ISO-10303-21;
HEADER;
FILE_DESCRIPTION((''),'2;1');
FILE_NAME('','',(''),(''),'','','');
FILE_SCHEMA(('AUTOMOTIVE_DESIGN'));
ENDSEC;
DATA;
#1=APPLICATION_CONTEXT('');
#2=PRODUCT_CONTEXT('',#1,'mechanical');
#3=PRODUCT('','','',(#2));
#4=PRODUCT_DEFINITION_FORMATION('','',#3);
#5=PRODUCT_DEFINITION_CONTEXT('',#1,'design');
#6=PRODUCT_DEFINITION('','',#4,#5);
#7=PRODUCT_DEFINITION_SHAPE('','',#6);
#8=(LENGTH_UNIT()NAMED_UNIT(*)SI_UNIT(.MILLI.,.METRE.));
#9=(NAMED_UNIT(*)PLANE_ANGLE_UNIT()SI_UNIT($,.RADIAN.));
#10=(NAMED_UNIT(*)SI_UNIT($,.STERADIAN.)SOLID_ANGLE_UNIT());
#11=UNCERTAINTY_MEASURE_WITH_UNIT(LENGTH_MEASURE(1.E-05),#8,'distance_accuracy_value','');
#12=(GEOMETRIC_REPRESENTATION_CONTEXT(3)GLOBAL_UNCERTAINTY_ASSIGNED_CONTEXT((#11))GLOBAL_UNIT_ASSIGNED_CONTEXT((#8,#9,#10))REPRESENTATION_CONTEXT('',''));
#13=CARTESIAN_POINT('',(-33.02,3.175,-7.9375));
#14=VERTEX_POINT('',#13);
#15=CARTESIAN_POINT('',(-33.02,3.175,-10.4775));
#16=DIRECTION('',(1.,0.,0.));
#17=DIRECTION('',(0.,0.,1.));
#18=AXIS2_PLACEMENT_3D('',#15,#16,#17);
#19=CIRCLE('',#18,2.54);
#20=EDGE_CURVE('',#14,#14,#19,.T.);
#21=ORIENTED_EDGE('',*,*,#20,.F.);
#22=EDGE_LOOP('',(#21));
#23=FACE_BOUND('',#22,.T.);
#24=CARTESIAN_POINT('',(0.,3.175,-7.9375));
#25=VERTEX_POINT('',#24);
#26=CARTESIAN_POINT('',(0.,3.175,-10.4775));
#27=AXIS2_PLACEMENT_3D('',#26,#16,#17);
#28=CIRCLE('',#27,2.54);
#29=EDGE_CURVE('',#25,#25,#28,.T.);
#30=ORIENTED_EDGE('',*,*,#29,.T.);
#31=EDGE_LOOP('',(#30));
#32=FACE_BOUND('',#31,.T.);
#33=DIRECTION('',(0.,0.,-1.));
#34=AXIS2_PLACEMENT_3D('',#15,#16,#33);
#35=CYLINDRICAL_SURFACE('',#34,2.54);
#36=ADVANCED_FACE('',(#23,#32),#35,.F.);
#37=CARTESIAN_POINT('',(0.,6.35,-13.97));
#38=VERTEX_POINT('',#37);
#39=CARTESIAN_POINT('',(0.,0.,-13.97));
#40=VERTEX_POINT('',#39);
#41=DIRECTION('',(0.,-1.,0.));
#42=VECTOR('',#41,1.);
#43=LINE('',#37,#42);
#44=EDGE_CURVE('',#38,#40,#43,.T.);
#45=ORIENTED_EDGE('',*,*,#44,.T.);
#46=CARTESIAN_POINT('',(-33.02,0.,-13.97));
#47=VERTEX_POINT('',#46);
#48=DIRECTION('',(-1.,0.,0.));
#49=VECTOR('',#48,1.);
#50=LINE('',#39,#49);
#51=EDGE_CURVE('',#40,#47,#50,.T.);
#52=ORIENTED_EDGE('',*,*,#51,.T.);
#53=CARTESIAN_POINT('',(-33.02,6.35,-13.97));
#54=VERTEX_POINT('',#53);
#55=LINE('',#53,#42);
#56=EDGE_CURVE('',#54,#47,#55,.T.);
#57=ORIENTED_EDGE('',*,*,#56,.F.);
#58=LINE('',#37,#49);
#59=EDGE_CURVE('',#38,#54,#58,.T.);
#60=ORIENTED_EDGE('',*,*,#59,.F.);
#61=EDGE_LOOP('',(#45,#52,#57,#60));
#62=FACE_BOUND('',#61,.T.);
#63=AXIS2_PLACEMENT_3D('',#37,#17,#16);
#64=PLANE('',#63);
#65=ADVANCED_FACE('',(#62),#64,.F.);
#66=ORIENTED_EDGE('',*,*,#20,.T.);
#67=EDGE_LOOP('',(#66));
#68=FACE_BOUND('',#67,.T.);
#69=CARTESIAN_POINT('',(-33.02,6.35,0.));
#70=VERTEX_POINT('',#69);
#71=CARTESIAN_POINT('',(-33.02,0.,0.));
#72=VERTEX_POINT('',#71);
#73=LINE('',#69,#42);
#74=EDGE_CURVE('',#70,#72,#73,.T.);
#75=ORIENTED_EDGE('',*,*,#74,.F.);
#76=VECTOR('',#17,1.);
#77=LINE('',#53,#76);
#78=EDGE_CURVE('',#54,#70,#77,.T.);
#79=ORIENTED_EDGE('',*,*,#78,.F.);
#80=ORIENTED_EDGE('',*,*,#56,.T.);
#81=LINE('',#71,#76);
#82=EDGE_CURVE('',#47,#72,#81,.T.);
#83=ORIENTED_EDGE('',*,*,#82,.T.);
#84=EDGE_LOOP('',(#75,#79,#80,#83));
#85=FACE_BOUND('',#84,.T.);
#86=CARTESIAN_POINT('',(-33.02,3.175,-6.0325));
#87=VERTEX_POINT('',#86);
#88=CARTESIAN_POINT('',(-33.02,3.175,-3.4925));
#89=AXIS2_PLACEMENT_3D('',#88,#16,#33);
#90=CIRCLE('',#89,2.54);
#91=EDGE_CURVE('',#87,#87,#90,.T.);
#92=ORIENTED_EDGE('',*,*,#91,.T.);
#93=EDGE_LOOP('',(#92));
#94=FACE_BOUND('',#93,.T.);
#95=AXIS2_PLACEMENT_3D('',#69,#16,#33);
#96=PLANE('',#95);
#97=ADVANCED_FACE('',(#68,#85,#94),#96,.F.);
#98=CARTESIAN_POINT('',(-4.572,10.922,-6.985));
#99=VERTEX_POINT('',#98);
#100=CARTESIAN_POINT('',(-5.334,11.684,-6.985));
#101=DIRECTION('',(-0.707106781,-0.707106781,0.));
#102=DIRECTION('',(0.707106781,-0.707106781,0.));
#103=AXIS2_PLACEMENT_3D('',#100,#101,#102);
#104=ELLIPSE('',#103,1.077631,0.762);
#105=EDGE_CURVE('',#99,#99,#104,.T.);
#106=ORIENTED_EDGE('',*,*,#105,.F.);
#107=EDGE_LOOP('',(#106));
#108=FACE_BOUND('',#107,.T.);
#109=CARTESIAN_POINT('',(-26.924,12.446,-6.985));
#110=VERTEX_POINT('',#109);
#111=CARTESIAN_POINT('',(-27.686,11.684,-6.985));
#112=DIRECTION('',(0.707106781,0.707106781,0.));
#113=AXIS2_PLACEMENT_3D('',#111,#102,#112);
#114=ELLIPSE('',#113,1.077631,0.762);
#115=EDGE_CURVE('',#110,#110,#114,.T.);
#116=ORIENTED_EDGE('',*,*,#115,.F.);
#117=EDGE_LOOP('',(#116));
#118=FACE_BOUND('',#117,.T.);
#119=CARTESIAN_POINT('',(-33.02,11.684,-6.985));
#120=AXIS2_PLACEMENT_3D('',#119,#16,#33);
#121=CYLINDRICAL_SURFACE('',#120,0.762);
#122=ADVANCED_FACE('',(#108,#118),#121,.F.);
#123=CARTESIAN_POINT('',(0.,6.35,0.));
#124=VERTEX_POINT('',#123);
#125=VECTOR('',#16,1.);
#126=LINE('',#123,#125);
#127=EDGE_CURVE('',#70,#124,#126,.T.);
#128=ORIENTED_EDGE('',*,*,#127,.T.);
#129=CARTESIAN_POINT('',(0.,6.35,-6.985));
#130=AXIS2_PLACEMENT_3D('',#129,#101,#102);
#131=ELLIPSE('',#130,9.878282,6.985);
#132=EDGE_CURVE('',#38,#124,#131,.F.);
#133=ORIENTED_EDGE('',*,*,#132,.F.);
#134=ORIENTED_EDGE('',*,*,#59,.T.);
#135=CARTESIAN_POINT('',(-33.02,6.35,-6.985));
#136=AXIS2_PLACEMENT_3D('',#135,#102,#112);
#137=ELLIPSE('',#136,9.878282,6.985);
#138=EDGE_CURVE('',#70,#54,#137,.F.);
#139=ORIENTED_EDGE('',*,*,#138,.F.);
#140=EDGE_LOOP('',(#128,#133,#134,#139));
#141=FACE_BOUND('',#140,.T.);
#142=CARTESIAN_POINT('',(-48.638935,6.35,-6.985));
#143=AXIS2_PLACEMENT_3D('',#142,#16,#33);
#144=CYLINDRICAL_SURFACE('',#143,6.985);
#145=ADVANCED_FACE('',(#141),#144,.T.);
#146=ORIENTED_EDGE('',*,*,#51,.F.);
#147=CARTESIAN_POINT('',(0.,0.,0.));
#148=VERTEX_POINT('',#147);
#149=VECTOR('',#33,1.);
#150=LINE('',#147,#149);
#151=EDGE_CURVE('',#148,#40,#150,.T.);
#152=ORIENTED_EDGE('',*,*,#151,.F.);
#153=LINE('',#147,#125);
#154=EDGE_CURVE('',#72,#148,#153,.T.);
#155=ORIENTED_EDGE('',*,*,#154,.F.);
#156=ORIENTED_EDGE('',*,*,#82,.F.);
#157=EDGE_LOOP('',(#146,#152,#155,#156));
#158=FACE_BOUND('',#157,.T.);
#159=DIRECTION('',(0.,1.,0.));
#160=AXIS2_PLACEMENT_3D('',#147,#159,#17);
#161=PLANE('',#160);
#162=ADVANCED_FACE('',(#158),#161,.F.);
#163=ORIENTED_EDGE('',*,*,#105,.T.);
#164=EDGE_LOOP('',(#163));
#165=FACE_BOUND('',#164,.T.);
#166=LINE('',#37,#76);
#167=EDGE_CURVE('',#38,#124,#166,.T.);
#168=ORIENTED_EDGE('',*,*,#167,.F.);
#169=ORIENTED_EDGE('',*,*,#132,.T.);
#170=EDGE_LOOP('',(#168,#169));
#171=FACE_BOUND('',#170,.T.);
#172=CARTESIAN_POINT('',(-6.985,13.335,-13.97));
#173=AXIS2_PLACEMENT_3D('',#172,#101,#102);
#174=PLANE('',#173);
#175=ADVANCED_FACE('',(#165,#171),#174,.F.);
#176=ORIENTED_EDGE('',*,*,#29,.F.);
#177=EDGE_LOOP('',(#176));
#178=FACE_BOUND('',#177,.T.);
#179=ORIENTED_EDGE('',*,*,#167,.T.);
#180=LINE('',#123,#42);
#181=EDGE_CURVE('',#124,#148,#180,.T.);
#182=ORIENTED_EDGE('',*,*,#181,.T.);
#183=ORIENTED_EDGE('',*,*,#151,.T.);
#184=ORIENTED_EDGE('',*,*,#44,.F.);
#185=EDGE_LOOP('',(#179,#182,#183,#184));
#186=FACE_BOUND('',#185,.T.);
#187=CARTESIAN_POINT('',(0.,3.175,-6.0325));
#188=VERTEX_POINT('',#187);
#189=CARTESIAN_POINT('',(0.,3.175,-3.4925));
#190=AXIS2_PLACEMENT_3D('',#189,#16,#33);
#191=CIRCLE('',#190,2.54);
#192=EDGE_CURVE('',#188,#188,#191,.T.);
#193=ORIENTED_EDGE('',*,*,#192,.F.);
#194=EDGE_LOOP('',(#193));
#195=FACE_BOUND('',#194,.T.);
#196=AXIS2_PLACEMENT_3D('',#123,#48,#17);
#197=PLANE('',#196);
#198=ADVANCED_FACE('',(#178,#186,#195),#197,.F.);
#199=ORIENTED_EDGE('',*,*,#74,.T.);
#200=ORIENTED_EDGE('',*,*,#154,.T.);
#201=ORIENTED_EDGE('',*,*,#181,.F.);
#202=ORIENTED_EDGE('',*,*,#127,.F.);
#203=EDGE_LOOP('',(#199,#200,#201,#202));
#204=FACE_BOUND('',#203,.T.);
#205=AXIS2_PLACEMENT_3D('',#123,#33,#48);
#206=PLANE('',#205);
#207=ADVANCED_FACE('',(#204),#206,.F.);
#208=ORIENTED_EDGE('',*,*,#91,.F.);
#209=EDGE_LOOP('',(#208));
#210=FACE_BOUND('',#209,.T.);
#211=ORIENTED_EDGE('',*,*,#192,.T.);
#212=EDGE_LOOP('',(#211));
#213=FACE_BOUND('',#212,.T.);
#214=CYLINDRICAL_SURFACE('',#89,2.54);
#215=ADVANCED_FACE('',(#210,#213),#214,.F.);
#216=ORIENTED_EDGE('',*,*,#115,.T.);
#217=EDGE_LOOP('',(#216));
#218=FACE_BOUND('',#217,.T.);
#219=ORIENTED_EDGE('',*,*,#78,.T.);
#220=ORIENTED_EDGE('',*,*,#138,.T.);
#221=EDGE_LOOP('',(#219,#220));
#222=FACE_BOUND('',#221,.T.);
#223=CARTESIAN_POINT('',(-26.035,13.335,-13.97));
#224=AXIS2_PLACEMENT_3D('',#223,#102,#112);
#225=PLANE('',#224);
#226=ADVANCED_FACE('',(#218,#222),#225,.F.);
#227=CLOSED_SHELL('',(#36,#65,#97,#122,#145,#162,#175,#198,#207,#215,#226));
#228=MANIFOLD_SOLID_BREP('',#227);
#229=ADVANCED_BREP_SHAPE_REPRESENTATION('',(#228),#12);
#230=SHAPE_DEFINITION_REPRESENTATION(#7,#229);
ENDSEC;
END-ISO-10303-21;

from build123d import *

# Parameters (mm, degrees)
SKETCH1_W              = 33.02
SKETCH1_H              = 13.97
DEPTH_A_DEPTH          = 6.35
ROUND_EXTRUDE_DEPTH    = 33.02
ANGLE_CUT_DEPTH        = 39.253150524
STRING_HOLE_R          = 0.762
STRING_HOLE_CUT_DEPTH  = 39.253150524
ELASTIC_HOLES_R        = 2.54
ELASTIC_HOLE_CUT_DEPTH = 39.253150524


with BuildPart() as part:
    # Sketch1 → depth a (new body)
    with BuildSketch(Plane(origin=(0, 0, 0), x_dir=(1, 0, 0), z_dir=(0, 1, 0))):
        with Locations((-16.51, 6.985)):
            Rectangle(SKETCH1_W, SKETCH1_H)
    extrude(amount=DEPTH_A_DEPTH)

    # Sketch4 → round extrude (add)
    with BuildSketch(Plane(origin=(0, 0, 0), x_dir=(0, 0, -1), z_dir=(1, 0, 0))):
        with BuildLine():
            Line((0, 6.35), (13.97, 6.35))
            ThreePointArc((13.97, 6.35), (6.985, 13.335), (0, 6.35))
        make_face()
    extrude(amount=-ROUND_EXTRUDE_DEPTH)

    # Sketch5 → angle cut (cut, through all)
    with BuildSketch(Plane.XY):
        Polygon((0, 6.35), (0, 13.335), (-6.985, 13.335), align=None)
        Polygon((-33.02, 6.35), (-33.02, 13.335), (-26.035, 13.335), align=None)
    extrude(amount=-ANGLE_CUT_DEPTH, mode=Mode.SUBTRACT)

    # string hole → string hole cut (cut, through all)
    with BuildSketch(Plane(origin=(0, 0, 0), x_dir=(0, 0, -1), z_dir=(1, 0, 0))):
        with Locations(Location((6.985, 11.684, 0), (0, 0, 270))):
            Circle(STRING_HOLE_R)
    extrude(amount=-STRING_HOLE_CUT_DEPTH, mode=Mode.SUBTRACT)

    # elastic holes → elastic hole cut (cut, through all)
    with BuildSketch(Plane(origin=(0, 0, 0), x_dir=(0, 0, -1), z_dir=(1, 0, 0))):
        with Locations((3.4925, 3.175)):
            Circle(ELASTIC_HOLES_R)
        with Locations(Location((10.4775, 3.175, 0), (0, 0, 180))):
            Circle(ELASTIC_HOLES_R)
    extrude(amount=-ELASTIC_HOLE_CUT_DEPTH, mode=Mode.SUBTRACT)


solid = part.part
